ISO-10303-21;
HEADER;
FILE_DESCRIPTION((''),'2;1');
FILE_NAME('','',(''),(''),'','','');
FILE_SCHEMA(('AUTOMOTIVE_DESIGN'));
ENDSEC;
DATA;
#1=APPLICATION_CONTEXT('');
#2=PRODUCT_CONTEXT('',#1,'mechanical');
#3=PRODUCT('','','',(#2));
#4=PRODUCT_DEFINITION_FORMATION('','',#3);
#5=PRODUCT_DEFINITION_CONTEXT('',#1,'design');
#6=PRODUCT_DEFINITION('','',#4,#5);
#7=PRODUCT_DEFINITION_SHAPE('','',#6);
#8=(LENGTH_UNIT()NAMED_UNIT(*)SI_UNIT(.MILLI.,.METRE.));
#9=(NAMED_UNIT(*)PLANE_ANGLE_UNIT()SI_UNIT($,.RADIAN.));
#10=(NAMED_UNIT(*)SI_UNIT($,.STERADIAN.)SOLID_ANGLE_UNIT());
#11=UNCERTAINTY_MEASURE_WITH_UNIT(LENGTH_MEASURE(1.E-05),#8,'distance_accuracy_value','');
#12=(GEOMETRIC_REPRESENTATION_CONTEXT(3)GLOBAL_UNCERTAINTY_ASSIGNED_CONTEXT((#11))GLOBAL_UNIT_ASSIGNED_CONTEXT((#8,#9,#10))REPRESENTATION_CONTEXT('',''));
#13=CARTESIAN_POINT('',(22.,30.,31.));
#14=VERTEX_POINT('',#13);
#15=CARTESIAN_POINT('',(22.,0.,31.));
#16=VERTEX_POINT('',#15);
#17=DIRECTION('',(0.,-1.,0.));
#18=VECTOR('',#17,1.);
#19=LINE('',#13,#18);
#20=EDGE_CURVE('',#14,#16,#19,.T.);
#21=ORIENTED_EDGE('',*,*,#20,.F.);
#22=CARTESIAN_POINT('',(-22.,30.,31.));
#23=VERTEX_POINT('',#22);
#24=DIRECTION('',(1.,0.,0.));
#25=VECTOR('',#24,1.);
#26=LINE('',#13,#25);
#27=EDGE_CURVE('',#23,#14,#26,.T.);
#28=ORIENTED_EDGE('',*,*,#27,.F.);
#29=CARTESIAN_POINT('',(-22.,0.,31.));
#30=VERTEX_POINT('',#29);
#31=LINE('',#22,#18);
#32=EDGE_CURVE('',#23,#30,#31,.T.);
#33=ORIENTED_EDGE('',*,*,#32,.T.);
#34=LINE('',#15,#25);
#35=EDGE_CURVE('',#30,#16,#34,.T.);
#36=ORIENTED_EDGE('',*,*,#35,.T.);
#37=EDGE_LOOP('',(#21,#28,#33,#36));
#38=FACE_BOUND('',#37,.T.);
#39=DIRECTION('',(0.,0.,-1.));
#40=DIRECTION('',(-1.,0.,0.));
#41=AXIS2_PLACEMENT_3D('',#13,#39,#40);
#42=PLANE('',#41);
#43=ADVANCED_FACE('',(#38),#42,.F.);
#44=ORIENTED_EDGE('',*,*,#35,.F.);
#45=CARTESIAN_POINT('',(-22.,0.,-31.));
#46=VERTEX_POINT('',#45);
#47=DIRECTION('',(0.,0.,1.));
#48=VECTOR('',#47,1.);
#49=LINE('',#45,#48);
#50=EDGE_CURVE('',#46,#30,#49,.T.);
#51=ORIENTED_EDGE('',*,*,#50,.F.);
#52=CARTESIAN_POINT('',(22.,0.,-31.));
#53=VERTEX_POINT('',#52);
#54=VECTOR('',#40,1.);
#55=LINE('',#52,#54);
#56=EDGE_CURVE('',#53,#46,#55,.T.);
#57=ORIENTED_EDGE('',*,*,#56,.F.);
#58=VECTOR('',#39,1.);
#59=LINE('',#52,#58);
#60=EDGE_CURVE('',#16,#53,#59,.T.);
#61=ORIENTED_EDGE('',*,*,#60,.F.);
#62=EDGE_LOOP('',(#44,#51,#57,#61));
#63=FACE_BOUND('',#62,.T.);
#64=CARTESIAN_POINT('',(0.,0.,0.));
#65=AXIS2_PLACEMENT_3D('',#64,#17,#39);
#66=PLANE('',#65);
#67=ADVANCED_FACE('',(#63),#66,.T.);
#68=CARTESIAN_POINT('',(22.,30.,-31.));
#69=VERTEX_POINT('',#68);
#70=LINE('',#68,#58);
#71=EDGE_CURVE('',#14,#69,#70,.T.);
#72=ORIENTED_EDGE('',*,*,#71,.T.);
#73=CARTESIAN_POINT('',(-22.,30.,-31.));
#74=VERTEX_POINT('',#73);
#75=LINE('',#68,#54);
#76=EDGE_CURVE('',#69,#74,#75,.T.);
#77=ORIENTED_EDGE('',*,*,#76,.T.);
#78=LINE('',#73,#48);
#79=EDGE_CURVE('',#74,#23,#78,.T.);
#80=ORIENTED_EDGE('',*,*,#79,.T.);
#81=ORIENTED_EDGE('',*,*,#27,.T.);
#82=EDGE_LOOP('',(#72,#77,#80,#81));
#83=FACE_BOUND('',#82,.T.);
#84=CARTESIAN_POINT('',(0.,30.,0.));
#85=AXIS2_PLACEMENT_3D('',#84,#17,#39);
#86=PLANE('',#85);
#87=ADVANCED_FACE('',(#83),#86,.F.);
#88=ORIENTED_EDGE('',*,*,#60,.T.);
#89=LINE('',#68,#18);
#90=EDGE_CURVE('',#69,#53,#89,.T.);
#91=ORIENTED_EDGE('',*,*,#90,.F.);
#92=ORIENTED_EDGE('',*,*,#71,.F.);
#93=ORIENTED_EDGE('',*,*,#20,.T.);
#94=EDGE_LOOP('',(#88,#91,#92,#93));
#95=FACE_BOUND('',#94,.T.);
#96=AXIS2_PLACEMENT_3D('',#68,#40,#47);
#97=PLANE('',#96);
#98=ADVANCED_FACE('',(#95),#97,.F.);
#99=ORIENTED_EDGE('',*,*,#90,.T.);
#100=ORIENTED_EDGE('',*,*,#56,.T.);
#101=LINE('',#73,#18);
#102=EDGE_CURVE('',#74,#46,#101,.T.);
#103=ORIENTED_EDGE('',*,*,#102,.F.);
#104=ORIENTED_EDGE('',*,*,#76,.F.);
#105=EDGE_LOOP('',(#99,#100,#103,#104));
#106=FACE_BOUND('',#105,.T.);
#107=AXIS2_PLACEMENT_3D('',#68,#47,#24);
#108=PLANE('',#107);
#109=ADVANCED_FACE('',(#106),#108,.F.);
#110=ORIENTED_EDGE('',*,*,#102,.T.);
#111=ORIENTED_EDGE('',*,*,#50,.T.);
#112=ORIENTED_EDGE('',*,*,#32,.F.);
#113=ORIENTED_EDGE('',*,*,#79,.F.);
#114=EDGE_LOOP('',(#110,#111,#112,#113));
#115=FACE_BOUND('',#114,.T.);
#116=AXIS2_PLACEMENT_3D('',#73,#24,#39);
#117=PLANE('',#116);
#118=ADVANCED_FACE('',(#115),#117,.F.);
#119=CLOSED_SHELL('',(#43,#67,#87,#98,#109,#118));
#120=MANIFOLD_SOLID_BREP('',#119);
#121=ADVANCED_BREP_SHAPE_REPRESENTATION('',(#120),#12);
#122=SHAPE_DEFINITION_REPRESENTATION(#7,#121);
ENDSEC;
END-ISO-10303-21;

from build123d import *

# Parameters (mm, degrees)
ESQUISSE1_W        = 44
ESQUISSE1_H        = 62
BOSS_EXTRU_1_DEPTH = 30


with BuildPart() as part:
    # Esquisse1 → Boss.-Extru.1 (new body)
    with BuildSketch(Plane(origin=(0, 0, 0), x_dir=(1, 0, 0), z_dir=(0, 1, 0))):
        Rectangle(ESQUISSE1_W, ESQUISSE1_H)
    extrude(amount=BOSS_EXTRU_1_DEPTH)


solid = part.part
